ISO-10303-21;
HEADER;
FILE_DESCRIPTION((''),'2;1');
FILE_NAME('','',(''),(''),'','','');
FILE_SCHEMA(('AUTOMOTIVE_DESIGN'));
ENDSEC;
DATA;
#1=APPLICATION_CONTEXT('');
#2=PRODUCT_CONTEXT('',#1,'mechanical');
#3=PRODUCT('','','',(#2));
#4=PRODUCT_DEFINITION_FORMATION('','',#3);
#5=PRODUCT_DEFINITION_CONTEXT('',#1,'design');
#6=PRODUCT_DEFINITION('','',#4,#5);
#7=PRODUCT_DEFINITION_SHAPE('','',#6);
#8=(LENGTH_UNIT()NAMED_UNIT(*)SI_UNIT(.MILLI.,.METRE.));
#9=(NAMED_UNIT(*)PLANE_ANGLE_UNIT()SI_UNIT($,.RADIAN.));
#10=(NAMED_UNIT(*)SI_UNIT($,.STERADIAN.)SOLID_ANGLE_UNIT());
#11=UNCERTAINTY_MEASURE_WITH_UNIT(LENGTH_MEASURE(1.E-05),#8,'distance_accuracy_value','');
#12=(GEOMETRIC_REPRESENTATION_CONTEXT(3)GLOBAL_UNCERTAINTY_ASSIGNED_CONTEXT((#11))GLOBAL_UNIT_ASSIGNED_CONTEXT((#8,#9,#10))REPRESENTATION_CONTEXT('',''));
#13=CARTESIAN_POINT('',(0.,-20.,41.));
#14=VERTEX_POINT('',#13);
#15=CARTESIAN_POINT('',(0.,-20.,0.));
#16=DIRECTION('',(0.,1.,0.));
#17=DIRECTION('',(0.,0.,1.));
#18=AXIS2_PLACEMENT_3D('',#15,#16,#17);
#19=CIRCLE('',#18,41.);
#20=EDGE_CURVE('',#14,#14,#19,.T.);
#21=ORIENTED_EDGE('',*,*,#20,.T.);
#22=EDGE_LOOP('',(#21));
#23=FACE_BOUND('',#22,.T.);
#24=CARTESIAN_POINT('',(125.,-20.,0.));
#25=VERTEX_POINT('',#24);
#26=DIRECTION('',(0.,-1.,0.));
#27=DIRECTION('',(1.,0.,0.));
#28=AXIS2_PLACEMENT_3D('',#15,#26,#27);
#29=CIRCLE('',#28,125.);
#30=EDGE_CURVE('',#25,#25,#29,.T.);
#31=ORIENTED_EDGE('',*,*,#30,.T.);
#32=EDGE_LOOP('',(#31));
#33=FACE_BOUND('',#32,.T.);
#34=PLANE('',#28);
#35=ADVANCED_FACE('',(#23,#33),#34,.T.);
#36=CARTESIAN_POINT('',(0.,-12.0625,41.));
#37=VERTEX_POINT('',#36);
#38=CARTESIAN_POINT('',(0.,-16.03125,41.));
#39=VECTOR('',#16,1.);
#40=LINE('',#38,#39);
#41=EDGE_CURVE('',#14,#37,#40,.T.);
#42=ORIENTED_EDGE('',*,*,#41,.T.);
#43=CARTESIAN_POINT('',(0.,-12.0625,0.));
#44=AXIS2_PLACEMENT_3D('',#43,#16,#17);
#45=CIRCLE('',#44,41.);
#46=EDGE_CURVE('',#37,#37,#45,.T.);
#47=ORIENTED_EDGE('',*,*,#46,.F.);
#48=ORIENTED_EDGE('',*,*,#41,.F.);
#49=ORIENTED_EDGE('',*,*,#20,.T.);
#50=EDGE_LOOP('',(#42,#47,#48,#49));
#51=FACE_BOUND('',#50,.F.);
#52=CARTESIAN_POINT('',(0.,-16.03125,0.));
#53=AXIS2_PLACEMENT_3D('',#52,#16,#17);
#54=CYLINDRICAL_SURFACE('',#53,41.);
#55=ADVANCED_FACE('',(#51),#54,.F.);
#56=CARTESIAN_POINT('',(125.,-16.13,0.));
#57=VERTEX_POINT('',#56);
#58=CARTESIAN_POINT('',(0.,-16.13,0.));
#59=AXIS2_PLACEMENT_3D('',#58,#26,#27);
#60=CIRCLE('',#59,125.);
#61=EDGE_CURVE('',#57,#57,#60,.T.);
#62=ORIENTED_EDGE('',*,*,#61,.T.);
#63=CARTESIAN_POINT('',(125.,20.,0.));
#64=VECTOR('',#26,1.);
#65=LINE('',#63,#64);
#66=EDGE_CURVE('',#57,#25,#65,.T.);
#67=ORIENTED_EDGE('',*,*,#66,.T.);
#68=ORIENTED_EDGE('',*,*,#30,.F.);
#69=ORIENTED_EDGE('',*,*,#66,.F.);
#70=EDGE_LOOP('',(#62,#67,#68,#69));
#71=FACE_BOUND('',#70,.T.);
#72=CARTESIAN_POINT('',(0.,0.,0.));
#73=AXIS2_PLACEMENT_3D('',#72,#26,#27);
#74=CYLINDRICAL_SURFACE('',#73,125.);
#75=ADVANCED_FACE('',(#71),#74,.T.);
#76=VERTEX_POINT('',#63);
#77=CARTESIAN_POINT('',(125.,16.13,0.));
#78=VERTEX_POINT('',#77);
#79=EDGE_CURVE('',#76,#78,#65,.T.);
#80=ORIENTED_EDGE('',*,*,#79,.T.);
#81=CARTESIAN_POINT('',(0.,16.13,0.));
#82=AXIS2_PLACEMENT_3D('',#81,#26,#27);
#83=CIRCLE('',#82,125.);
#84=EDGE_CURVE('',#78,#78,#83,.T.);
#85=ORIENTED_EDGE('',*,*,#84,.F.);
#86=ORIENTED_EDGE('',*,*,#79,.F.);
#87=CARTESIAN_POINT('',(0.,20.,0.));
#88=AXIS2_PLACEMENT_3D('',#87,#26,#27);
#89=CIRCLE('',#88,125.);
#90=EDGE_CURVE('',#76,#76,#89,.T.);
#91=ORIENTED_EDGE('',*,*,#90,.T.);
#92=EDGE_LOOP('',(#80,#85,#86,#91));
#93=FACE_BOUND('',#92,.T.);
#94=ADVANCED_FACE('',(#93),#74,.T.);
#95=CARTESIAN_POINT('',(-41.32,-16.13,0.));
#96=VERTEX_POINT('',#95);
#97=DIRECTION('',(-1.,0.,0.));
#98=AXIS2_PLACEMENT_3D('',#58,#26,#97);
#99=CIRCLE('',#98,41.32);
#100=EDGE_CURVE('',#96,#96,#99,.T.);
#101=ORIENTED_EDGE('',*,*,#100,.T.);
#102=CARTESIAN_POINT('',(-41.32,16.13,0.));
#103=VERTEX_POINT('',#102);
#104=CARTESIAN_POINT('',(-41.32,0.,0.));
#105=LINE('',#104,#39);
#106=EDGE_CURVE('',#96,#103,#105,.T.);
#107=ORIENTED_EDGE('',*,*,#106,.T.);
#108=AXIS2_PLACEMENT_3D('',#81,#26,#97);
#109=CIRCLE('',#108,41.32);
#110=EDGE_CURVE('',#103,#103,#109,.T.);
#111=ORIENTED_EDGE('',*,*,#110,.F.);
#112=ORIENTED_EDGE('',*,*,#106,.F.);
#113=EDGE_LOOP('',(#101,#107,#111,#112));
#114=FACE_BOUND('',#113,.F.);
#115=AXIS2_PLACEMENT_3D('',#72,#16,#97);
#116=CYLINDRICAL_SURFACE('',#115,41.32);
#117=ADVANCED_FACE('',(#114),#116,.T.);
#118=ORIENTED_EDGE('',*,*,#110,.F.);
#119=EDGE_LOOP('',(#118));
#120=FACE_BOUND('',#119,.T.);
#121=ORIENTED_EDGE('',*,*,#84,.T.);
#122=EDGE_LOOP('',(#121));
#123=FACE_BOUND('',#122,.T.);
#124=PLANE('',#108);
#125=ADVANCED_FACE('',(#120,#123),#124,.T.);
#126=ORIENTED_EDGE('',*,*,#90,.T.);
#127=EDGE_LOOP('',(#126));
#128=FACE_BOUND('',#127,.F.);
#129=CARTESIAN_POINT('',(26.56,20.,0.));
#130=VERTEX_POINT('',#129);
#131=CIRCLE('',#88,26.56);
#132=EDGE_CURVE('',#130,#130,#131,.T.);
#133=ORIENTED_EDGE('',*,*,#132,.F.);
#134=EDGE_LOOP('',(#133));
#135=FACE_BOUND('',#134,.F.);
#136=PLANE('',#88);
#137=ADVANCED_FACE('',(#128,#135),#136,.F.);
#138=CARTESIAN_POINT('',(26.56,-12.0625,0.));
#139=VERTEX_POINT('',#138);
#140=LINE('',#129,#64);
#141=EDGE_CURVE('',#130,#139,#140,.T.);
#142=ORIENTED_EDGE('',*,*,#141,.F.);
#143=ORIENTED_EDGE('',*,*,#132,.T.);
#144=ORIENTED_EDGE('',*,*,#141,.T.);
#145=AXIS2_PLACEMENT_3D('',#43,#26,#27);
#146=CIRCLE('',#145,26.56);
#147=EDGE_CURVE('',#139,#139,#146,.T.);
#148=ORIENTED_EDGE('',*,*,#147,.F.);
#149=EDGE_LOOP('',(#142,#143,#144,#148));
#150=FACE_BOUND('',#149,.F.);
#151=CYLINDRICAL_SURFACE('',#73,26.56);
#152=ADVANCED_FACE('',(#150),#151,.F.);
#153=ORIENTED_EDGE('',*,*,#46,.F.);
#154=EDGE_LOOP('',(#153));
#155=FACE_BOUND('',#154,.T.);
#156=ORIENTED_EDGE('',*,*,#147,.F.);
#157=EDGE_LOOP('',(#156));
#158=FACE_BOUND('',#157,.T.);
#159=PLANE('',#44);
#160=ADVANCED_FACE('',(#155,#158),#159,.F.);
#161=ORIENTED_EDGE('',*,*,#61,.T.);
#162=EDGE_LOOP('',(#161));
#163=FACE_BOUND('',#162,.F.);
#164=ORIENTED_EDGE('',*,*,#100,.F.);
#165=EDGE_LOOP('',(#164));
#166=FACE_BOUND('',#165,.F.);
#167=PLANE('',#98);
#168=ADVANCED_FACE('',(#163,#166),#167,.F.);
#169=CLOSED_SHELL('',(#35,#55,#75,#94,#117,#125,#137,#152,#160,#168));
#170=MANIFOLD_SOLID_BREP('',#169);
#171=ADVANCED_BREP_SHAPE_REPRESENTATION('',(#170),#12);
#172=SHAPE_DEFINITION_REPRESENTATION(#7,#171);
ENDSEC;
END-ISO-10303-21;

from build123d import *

# Parameters (mm, degrees)
F0_R     = 125
F1_DEPTH = 20
F2_R     = 26.56
F3_DEPTH = 20
F5_W     = 86.677861
F5_H     = 32.26
F7_W     = 7.9375
F7_H     = 41


with BuildPart() as f1:
    # F0 (on Front) → F1 (new body, symmetric)
    with BuildSketch(Plane.XZ):
        Circle(F0_R)
    extrude(amount=F1_DEPTH, both=True)

    # F2 (on Front) → F3 (cut, symmetric)
    with BuildSketch(Plane.XZ):
        Circle(F2_R)
    extrude(amount=F3_DEPTH, both=True, mode=Mode.SUBTRACT)

    # F5 (on Top) → F6 (revolve, cut)
    with BuildSketch(Plane.XY):
        with Locations((-84.65893, 0)):
            Rectangle(F5_W, F5_H)
    revolve(axis=Axis((0, 0, 0), (0, -1, 0)), mode=Mode.SUBTRACT)

    # F7 (on Right) → F8 (revolve, cut)
    with BuildSketch(Plane.YZ):
        with Locations((-16.03125, 20.5)):
            Rectangle(F7_W, F7_H)
    revolve(axis=Axis((0, -16.03125, 0), (0, 1, 0)), mode=Mode.SUBTRACT)


solid = f1.part
